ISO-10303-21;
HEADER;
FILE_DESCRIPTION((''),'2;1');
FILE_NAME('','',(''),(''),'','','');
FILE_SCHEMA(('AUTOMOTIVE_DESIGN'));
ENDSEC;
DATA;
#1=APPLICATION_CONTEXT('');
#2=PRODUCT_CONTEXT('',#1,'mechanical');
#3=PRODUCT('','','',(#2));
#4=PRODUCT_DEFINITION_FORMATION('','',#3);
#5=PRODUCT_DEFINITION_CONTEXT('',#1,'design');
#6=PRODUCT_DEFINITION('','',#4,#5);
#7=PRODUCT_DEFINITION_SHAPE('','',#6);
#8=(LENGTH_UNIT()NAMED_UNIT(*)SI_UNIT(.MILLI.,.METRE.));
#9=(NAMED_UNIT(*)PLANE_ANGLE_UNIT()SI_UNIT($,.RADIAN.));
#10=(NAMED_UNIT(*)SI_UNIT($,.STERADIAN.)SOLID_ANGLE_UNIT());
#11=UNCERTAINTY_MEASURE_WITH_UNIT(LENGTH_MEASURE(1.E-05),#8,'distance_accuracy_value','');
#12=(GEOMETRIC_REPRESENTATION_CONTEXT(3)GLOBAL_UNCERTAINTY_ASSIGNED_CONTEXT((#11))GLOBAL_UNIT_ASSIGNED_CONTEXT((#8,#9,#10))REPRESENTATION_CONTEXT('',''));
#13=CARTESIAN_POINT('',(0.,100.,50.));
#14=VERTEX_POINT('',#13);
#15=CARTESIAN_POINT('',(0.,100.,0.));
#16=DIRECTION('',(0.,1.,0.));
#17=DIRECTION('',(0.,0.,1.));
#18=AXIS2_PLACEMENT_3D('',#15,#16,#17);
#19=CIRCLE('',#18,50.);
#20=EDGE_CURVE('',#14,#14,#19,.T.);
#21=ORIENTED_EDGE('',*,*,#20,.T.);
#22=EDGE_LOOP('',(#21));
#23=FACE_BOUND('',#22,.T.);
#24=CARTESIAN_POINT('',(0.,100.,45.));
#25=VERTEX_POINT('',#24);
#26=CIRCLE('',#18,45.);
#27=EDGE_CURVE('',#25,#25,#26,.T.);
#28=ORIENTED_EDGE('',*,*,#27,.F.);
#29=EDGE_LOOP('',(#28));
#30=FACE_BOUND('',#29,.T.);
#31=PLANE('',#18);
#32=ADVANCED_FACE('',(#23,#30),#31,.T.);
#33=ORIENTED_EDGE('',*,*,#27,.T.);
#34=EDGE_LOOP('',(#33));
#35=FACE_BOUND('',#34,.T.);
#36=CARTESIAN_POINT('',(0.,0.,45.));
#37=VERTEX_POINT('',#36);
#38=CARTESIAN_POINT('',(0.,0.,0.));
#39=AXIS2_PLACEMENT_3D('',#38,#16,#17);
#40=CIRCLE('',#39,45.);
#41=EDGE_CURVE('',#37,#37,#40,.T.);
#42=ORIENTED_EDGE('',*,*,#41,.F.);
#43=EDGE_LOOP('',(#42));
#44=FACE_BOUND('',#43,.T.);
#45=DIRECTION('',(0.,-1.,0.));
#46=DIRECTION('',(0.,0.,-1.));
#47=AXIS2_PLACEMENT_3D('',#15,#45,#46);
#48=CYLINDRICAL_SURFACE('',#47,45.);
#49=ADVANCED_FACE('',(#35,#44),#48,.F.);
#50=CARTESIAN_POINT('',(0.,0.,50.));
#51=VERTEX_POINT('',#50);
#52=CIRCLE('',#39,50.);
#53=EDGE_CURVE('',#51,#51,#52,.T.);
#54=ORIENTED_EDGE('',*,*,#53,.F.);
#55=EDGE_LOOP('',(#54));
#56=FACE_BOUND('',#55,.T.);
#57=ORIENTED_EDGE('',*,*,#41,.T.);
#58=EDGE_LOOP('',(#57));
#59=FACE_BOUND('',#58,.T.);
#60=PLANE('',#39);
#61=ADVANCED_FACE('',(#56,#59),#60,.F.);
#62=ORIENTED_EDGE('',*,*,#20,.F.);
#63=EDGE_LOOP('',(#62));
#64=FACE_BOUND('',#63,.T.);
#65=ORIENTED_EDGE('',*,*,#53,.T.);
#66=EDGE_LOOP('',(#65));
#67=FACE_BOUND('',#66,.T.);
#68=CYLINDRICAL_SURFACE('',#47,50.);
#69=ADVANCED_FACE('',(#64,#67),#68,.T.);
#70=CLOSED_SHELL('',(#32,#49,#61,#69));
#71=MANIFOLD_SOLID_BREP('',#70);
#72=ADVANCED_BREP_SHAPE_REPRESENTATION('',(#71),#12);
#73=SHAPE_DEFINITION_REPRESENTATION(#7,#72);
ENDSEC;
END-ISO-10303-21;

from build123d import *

# Parameters (mm, degrees)
ESBO_O1_R                = 50
ESBO_O1_R_2              = 45
RESSALTO_EXTRUS_O2_DEPTH = 100


with BuildPart() as part:
    # Esboço1 → Ressalto-extrusão2 (new body)
    with BuildSketch(Plane(origin=(0, 0, 0), x_dir=(1, 0, 0), z_dir=(0, 1, 0))):
        Circle(ESBO_O1_R)
        Circle(ESBO_O1_R_2, mode=Mode.SUBTRACT)
    extrude(amount=RESSALTO_EXTRUS_O2_DEPTH)


solid = part.part
